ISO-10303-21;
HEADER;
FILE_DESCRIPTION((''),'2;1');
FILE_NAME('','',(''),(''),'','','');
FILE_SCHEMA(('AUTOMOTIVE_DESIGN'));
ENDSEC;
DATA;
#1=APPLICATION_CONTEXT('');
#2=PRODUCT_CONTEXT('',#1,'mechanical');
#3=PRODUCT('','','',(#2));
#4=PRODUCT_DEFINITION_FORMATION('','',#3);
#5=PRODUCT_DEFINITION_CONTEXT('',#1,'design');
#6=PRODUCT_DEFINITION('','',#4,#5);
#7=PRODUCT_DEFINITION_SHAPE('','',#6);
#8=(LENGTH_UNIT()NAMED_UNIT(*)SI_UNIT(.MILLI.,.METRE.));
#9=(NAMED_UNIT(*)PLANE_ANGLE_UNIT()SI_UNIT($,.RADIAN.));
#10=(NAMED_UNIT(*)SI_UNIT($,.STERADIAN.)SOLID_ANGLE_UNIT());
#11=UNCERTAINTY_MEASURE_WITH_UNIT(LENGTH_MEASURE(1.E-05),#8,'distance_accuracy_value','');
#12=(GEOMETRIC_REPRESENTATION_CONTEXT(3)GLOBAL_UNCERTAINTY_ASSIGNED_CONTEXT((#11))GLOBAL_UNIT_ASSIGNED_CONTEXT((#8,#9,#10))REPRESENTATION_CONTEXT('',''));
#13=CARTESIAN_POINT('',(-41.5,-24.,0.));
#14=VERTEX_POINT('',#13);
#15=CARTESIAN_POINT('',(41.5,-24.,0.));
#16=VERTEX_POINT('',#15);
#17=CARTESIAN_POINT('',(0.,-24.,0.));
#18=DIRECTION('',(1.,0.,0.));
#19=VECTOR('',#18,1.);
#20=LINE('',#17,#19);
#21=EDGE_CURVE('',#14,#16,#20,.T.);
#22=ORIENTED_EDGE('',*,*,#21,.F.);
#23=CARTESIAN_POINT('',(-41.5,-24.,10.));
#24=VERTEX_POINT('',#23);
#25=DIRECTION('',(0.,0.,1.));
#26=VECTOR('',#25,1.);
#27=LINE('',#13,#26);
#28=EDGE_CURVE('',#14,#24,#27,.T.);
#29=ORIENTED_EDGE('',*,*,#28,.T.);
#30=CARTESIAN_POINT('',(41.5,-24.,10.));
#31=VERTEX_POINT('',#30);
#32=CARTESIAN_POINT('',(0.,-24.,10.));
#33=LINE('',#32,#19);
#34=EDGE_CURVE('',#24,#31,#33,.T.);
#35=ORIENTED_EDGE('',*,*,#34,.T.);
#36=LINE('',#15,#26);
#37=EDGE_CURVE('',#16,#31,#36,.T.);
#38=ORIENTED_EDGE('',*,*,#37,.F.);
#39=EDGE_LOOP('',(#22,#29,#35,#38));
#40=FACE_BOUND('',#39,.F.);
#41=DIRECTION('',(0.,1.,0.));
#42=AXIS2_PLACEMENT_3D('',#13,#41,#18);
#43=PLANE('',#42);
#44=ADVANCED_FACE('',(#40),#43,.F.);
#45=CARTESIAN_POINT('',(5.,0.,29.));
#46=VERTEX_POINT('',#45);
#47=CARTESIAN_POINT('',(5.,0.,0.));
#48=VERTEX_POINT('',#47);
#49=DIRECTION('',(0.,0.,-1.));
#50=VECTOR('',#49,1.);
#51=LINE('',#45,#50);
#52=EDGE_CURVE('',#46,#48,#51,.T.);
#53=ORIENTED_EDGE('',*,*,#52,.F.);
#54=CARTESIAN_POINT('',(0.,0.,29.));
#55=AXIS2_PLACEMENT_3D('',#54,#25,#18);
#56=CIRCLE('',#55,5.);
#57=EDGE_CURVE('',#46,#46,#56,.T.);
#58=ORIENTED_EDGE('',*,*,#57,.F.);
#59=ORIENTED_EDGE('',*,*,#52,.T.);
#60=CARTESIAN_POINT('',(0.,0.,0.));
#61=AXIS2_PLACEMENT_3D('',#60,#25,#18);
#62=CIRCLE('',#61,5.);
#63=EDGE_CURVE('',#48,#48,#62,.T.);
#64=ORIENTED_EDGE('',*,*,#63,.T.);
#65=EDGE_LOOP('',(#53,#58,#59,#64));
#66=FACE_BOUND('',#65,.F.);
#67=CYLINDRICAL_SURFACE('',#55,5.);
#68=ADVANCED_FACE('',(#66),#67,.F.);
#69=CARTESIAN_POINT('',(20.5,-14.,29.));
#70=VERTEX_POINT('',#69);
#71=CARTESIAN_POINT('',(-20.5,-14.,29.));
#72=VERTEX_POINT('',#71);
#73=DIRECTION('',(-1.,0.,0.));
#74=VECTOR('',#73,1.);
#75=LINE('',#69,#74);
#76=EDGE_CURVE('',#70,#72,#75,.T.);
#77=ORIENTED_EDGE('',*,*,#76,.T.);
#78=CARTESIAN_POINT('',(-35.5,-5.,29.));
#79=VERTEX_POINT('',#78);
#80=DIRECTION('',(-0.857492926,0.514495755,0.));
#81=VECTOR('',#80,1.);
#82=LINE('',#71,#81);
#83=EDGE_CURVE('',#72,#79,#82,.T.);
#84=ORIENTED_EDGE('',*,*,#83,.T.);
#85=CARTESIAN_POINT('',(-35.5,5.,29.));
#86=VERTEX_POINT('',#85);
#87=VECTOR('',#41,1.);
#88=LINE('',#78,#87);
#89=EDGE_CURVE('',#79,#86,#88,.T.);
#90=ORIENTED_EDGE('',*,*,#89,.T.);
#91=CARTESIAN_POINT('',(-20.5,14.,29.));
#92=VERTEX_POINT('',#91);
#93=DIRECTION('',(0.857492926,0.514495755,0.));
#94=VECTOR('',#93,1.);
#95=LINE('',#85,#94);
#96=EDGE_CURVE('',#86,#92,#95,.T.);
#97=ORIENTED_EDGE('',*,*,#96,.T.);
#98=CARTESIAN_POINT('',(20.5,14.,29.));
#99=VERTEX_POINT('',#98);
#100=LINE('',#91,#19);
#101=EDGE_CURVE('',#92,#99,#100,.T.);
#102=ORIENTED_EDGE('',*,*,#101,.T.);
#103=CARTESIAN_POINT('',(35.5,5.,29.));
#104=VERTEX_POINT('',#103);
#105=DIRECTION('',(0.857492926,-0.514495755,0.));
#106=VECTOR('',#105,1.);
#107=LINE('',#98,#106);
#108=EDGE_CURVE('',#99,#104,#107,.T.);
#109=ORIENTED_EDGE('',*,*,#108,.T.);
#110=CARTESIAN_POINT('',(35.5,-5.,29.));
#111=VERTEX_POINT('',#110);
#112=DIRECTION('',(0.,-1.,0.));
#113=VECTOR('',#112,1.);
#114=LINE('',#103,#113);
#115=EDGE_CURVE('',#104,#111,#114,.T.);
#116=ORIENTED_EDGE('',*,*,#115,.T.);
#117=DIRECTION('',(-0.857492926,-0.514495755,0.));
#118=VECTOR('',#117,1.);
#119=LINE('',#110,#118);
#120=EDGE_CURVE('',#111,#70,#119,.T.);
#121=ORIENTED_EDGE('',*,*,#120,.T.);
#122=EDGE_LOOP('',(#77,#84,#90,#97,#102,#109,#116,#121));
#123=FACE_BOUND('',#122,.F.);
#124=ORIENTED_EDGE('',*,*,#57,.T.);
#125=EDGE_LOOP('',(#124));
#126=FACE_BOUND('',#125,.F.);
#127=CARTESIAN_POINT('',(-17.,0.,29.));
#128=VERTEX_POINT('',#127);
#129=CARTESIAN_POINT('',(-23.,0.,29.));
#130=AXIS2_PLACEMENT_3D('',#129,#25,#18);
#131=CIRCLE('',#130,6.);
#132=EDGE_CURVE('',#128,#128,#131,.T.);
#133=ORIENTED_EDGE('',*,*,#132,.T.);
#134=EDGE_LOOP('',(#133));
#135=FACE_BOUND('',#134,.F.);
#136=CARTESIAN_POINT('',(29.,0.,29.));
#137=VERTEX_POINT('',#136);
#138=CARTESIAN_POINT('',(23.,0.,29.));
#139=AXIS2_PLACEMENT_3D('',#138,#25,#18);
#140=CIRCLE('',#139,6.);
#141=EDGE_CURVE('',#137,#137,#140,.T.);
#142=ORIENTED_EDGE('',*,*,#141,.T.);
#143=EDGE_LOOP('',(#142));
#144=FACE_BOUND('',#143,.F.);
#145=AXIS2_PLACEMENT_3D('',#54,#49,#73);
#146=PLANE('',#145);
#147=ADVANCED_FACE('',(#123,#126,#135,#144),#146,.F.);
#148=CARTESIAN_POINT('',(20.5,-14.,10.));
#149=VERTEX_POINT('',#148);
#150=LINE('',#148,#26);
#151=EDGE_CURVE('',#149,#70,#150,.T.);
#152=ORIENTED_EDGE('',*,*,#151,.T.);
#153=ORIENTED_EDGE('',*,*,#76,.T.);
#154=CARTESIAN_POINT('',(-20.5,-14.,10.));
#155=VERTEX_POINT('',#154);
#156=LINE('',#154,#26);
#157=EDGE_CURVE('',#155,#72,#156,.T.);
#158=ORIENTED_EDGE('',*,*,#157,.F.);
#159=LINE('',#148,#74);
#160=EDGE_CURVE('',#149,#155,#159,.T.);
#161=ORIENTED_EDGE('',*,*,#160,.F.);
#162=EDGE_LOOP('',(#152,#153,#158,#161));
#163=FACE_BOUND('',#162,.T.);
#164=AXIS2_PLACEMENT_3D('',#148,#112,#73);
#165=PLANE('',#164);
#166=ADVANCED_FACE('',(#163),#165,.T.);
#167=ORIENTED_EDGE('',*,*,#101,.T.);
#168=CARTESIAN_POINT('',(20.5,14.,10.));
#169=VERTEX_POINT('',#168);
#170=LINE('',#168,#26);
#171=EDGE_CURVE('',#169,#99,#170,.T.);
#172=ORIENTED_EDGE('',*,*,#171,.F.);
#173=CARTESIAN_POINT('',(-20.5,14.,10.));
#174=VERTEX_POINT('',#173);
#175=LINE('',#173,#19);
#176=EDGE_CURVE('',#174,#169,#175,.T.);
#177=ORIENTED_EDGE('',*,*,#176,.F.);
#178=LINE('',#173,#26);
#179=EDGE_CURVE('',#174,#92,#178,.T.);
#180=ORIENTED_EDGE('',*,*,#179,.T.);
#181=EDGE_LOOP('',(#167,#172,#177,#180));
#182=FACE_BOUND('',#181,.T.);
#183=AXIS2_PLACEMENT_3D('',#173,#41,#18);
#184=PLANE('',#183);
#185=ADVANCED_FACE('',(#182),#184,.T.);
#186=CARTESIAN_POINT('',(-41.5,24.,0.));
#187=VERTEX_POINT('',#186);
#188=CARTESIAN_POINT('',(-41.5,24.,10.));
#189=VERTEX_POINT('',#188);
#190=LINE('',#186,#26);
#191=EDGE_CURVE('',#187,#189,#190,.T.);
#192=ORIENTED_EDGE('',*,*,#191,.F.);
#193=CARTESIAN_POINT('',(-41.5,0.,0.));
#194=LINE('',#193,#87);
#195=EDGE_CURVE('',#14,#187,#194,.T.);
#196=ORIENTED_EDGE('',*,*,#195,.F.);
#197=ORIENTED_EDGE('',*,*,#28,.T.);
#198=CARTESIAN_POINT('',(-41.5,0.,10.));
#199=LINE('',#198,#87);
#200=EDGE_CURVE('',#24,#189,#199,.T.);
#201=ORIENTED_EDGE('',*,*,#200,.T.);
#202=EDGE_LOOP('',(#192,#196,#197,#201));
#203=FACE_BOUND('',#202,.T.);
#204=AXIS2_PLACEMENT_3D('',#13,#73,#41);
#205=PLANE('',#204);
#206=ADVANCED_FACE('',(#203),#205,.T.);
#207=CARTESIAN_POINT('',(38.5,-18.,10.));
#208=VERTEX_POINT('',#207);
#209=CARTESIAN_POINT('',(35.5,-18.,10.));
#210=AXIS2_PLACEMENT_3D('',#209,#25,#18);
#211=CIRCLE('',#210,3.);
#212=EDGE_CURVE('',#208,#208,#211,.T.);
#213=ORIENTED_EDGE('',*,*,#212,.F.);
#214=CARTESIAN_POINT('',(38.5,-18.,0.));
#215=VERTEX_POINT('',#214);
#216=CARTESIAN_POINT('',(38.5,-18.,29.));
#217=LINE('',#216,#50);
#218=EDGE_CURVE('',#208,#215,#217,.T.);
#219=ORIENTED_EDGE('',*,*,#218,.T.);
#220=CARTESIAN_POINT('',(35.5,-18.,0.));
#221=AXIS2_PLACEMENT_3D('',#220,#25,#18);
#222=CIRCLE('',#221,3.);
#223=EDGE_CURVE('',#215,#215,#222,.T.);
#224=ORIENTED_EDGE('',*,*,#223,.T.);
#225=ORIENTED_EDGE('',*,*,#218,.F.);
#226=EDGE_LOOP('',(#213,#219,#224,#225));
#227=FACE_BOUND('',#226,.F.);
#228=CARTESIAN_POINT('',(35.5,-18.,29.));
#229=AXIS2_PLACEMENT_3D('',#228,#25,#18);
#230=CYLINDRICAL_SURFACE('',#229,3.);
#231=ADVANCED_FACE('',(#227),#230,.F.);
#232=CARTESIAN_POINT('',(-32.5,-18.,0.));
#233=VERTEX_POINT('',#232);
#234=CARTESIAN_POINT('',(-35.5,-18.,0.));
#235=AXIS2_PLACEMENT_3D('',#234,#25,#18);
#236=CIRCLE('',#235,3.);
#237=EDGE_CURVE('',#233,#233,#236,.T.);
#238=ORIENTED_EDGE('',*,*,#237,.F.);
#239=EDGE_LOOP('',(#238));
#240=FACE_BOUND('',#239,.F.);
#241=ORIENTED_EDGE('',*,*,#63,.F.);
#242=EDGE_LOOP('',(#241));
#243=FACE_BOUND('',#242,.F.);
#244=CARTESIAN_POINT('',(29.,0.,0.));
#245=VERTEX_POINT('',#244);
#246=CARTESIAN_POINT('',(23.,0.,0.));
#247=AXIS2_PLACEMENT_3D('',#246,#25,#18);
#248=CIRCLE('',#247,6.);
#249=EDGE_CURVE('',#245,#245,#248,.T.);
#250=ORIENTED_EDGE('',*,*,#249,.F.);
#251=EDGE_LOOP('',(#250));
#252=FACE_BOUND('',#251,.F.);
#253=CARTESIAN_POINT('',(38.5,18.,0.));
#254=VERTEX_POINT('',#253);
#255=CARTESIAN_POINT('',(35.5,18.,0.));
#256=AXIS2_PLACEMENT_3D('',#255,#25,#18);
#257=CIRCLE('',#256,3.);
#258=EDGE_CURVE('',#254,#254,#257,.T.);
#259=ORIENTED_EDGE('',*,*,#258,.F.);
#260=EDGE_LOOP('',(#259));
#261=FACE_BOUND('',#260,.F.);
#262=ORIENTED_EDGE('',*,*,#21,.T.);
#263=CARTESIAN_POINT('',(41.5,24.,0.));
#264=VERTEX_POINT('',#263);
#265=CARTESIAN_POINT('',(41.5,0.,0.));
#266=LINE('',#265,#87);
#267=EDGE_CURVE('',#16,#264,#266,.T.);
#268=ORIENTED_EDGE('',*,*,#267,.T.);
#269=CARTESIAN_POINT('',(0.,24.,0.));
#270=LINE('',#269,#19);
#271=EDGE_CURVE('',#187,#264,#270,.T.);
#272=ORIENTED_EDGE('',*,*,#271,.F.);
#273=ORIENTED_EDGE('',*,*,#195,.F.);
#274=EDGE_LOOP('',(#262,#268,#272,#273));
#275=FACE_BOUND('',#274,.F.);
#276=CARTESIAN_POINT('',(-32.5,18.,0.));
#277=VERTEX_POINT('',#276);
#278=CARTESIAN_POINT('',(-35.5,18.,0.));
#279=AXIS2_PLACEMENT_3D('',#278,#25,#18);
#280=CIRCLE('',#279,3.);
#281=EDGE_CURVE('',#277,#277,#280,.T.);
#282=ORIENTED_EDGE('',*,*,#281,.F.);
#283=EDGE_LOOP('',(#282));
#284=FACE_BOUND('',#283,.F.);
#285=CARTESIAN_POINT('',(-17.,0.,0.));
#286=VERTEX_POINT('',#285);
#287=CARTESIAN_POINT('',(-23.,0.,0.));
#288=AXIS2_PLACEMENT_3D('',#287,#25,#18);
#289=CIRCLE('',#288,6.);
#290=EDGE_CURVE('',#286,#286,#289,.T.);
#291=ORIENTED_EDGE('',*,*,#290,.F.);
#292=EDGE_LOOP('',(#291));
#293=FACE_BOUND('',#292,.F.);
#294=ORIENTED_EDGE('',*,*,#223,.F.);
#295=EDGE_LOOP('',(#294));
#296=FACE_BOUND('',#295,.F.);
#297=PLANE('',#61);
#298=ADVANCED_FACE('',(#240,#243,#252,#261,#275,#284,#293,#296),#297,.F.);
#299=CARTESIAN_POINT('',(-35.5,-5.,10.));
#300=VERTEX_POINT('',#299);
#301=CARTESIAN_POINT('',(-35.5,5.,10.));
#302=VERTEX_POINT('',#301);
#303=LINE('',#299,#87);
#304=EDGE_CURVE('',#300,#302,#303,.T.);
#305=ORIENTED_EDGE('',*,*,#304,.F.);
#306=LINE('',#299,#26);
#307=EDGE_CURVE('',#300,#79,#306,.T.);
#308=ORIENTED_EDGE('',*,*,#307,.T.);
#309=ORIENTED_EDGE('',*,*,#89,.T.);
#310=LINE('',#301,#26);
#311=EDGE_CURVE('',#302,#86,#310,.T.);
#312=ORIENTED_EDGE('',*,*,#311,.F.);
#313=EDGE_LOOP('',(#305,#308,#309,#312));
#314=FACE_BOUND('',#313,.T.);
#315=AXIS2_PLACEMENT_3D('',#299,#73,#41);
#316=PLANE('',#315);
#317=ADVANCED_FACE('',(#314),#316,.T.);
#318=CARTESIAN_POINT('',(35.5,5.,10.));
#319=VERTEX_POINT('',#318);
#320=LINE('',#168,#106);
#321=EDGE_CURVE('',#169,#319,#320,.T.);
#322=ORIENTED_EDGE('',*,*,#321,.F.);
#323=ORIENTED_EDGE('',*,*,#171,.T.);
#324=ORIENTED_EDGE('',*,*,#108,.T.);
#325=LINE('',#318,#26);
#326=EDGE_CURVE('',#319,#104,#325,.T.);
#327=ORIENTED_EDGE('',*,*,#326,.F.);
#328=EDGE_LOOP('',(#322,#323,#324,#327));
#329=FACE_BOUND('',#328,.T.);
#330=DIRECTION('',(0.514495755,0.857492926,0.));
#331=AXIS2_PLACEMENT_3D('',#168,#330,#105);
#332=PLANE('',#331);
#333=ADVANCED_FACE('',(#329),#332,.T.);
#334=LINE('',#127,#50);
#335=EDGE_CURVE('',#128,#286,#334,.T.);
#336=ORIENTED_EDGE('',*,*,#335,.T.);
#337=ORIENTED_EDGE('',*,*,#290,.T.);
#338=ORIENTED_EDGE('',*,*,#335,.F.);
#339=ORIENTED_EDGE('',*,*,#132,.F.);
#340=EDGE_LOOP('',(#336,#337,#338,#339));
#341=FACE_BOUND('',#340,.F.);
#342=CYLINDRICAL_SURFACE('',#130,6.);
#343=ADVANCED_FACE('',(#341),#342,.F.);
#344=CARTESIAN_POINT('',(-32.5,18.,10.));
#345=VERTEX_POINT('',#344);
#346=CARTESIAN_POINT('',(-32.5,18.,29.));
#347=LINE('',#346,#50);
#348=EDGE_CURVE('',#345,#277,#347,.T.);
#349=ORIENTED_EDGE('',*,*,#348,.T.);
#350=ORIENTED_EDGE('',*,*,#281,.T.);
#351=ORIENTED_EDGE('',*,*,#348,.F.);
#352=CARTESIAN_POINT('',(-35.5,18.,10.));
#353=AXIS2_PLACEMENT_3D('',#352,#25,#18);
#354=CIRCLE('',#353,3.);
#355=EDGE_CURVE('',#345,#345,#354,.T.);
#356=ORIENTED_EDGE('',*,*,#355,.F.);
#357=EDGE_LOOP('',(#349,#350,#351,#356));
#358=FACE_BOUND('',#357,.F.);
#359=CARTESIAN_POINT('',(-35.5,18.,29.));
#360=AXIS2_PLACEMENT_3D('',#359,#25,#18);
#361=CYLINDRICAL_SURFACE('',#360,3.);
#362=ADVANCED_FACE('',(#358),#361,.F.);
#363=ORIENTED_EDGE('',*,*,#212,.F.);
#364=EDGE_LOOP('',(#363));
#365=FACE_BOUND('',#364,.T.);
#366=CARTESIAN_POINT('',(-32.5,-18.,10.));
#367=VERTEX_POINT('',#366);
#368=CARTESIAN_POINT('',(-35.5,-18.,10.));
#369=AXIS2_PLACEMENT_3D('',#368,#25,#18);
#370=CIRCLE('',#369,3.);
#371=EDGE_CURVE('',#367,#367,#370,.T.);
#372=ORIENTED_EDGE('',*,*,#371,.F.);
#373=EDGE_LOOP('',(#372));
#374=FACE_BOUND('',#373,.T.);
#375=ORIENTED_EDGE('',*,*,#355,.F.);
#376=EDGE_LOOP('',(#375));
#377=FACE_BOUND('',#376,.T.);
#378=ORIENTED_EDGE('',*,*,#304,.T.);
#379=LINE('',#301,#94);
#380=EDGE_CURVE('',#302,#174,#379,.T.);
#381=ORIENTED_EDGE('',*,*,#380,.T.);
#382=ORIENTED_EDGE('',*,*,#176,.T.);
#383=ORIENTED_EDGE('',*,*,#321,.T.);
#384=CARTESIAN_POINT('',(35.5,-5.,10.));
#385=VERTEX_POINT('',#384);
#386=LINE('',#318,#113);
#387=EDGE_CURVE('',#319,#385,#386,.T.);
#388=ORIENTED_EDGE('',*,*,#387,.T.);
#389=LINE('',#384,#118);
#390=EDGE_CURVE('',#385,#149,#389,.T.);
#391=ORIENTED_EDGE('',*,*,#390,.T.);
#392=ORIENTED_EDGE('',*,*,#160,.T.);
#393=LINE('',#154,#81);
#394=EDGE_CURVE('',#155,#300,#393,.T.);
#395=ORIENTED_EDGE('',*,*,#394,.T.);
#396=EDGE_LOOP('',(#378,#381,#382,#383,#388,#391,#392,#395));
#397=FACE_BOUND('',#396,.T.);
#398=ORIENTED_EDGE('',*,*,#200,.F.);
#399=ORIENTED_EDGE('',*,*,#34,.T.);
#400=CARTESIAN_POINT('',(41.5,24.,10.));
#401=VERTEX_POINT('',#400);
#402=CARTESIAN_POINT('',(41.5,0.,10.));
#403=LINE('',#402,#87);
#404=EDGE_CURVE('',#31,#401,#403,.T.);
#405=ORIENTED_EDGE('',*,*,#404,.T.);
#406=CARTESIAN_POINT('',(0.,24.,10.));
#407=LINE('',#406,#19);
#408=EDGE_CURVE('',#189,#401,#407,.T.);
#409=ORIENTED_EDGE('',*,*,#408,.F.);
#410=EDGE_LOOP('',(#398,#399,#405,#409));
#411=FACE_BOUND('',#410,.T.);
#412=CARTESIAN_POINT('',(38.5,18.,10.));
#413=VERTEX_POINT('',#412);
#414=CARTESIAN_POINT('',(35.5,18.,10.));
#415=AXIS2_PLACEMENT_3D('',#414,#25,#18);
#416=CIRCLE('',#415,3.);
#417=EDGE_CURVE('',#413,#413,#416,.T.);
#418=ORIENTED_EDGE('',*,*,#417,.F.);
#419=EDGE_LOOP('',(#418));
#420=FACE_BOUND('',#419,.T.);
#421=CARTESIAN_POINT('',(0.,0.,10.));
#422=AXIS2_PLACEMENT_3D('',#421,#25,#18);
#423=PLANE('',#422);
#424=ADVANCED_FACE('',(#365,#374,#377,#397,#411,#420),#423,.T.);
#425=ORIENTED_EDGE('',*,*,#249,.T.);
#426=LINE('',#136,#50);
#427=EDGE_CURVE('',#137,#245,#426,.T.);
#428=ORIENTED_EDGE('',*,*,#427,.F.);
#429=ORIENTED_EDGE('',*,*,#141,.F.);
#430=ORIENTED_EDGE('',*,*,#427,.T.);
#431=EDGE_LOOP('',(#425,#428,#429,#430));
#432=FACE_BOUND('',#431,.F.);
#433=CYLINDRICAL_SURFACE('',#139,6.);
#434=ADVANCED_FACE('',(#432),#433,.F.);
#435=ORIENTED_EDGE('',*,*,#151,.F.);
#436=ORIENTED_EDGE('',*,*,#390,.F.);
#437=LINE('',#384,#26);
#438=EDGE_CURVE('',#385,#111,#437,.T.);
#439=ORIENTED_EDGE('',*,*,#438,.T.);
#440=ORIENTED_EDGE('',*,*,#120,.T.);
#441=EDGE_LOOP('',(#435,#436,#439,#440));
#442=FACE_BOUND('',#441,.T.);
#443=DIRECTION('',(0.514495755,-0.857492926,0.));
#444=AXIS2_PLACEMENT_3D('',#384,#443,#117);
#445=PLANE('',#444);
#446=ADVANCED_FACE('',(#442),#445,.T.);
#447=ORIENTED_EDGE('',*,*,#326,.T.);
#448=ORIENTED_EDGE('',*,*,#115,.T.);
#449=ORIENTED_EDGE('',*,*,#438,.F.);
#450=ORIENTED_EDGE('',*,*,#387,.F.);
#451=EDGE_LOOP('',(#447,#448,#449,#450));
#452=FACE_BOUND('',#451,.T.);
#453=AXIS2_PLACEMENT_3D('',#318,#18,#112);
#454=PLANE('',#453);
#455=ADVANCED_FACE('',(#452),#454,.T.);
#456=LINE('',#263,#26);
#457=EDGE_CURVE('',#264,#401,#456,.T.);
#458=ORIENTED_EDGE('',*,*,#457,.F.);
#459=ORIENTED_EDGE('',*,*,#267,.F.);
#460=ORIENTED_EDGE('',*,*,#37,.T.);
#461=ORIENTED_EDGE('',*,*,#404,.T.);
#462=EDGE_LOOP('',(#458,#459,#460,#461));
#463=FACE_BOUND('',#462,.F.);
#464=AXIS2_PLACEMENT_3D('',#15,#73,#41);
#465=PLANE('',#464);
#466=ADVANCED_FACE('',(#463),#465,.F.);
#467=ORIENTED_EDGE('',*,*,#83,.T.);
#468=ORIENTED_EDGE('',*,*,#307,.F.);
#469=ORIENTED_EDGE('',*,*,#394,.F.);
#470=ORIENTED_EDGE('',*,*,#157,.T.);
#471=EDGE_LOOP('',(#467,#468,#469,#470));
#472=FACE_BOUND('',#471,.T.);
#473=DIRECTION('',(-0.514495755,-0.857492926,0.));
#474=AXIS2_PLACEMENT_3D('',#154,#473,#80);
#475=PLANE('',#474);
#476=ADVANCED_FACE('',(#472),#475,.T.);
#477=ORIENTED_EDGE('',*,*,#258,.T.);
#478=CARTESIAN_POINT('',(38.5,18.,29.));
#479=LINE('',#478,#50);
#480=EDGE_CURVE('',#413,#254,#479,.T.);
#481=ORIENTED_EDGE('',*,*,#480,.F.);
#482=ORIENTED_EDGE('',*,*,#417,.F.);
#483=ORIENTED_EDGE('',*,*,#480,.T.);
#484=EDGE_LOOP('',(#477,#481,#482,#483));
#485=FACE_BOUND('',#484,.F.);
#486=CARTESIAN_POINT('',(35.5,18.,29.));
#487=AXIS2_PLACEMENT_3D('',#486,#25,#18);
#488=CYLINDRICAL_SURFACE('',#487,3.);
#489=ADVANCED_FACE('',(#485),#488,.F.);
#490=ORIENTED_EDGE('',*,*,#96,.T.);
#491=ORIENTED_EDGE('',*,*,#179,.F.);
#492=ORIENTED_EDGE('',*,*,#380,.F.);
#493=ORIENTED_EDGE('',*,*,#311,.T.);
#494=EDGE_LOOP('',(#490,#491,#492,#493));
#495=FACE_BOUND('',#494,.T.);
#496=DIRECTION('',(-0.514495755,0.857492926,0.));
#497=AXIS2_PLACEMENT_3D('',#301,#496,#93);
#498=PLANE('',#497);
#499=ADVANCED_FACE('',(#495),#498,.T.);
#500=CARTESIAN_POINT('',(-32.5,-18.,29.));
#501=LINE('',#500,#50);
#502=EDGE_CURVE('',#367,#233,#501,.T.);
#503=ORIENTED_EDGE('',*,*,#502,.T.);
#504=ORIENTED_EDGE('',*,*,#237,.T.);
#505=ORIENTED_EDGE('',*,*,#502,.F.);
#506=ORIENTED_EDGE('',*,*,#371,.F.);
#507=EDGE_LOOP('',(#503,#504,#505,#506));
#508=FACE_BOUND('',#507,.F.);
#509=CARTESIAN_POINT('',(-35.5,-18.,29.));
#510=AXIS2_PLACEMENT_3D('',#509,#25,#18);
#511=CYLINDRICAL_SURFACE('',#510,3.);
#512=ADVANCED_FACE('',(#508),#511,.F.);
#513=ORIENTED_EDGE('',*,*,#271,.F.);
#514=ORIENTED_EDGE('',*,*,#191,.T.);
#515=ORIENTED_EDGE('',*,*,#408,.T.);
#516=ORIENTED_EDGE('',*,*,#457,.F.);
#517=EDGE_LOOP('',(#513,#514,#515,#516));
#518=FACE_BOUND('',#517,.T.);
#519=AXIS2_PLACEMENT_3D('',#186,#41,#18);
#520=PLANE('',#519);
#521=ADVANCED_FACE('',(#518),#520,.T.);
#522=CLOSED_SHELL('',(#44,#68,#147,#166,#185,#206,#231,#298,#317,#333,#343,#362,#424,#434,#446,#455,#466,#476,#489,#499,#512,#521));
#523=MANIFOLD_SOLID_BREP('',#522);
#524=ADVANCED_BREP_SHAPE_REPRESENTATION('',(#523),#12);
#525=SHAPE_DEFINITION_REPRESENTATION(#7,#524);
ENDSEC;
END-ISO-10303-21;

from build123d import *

# Parameters (mm, degrees)
SKETCH1_W           = 83
SKETCH1_H           = 48
BOSS_EXTRUDE1_DEPTH = 10
BOSS_EXTRUDE2_DEPTH = 19
SKETCH3_R           = 5
SKETCH3_R_2         = 6
SKETCH3_R_3         = 3
CUT_EXTRUDE1_DEPTH  = 30


with BuildPart() as part:
    # Sketch1 → Boss-Extrude1 (new body)
    with BuildSketch(Plane.XY):
        Rectangle(SKETCH1_W, SKETCH1_H)
    extrude(amount=BOSS_EXTRUDE1_DEPTH)

    # Sketch2 → Boss-Extrude2 (add)
    with BuildSketch(Plane.XY.offset(10)):
        Polygon((-35.5, 5), (-20.5, 14), (20.5, 14), (35.5, 5), (35.5, -5), (20.5, -14), (-20.5, -14), (-35.5, -5), align=None)
    extrude(amount=BOSS_EXTRUDE2_DEPTH)

    # Sketch3 → Cut-Extrude1 (cut, through all)
    with BuildSketch(Plane.XY.offset(29)):
        Circle(SKETCH3_R)
        with Locations((-23, 0)):
            Circle(SKETCH3_R_2)
        with Locations((23, 0)):
            Circle(SKETCH3_R_2)
        with Locations((-35.5, 18)):
            Circle(SKETCH3_R_3)
        with Locations((35.5, 18)):
            Circle(SKETCH3_R_3)
        with Locations((35.5, -18)):
            Circle(SKETCH3_R_3)
        with Locations((-35.5, -18)):
            Circle(SKETCH3_R_3)
    extrude(amount=-CUT_EXTRUDE1_DEPTH, mode=Mode.SUBTRACT)


solid = part.part
